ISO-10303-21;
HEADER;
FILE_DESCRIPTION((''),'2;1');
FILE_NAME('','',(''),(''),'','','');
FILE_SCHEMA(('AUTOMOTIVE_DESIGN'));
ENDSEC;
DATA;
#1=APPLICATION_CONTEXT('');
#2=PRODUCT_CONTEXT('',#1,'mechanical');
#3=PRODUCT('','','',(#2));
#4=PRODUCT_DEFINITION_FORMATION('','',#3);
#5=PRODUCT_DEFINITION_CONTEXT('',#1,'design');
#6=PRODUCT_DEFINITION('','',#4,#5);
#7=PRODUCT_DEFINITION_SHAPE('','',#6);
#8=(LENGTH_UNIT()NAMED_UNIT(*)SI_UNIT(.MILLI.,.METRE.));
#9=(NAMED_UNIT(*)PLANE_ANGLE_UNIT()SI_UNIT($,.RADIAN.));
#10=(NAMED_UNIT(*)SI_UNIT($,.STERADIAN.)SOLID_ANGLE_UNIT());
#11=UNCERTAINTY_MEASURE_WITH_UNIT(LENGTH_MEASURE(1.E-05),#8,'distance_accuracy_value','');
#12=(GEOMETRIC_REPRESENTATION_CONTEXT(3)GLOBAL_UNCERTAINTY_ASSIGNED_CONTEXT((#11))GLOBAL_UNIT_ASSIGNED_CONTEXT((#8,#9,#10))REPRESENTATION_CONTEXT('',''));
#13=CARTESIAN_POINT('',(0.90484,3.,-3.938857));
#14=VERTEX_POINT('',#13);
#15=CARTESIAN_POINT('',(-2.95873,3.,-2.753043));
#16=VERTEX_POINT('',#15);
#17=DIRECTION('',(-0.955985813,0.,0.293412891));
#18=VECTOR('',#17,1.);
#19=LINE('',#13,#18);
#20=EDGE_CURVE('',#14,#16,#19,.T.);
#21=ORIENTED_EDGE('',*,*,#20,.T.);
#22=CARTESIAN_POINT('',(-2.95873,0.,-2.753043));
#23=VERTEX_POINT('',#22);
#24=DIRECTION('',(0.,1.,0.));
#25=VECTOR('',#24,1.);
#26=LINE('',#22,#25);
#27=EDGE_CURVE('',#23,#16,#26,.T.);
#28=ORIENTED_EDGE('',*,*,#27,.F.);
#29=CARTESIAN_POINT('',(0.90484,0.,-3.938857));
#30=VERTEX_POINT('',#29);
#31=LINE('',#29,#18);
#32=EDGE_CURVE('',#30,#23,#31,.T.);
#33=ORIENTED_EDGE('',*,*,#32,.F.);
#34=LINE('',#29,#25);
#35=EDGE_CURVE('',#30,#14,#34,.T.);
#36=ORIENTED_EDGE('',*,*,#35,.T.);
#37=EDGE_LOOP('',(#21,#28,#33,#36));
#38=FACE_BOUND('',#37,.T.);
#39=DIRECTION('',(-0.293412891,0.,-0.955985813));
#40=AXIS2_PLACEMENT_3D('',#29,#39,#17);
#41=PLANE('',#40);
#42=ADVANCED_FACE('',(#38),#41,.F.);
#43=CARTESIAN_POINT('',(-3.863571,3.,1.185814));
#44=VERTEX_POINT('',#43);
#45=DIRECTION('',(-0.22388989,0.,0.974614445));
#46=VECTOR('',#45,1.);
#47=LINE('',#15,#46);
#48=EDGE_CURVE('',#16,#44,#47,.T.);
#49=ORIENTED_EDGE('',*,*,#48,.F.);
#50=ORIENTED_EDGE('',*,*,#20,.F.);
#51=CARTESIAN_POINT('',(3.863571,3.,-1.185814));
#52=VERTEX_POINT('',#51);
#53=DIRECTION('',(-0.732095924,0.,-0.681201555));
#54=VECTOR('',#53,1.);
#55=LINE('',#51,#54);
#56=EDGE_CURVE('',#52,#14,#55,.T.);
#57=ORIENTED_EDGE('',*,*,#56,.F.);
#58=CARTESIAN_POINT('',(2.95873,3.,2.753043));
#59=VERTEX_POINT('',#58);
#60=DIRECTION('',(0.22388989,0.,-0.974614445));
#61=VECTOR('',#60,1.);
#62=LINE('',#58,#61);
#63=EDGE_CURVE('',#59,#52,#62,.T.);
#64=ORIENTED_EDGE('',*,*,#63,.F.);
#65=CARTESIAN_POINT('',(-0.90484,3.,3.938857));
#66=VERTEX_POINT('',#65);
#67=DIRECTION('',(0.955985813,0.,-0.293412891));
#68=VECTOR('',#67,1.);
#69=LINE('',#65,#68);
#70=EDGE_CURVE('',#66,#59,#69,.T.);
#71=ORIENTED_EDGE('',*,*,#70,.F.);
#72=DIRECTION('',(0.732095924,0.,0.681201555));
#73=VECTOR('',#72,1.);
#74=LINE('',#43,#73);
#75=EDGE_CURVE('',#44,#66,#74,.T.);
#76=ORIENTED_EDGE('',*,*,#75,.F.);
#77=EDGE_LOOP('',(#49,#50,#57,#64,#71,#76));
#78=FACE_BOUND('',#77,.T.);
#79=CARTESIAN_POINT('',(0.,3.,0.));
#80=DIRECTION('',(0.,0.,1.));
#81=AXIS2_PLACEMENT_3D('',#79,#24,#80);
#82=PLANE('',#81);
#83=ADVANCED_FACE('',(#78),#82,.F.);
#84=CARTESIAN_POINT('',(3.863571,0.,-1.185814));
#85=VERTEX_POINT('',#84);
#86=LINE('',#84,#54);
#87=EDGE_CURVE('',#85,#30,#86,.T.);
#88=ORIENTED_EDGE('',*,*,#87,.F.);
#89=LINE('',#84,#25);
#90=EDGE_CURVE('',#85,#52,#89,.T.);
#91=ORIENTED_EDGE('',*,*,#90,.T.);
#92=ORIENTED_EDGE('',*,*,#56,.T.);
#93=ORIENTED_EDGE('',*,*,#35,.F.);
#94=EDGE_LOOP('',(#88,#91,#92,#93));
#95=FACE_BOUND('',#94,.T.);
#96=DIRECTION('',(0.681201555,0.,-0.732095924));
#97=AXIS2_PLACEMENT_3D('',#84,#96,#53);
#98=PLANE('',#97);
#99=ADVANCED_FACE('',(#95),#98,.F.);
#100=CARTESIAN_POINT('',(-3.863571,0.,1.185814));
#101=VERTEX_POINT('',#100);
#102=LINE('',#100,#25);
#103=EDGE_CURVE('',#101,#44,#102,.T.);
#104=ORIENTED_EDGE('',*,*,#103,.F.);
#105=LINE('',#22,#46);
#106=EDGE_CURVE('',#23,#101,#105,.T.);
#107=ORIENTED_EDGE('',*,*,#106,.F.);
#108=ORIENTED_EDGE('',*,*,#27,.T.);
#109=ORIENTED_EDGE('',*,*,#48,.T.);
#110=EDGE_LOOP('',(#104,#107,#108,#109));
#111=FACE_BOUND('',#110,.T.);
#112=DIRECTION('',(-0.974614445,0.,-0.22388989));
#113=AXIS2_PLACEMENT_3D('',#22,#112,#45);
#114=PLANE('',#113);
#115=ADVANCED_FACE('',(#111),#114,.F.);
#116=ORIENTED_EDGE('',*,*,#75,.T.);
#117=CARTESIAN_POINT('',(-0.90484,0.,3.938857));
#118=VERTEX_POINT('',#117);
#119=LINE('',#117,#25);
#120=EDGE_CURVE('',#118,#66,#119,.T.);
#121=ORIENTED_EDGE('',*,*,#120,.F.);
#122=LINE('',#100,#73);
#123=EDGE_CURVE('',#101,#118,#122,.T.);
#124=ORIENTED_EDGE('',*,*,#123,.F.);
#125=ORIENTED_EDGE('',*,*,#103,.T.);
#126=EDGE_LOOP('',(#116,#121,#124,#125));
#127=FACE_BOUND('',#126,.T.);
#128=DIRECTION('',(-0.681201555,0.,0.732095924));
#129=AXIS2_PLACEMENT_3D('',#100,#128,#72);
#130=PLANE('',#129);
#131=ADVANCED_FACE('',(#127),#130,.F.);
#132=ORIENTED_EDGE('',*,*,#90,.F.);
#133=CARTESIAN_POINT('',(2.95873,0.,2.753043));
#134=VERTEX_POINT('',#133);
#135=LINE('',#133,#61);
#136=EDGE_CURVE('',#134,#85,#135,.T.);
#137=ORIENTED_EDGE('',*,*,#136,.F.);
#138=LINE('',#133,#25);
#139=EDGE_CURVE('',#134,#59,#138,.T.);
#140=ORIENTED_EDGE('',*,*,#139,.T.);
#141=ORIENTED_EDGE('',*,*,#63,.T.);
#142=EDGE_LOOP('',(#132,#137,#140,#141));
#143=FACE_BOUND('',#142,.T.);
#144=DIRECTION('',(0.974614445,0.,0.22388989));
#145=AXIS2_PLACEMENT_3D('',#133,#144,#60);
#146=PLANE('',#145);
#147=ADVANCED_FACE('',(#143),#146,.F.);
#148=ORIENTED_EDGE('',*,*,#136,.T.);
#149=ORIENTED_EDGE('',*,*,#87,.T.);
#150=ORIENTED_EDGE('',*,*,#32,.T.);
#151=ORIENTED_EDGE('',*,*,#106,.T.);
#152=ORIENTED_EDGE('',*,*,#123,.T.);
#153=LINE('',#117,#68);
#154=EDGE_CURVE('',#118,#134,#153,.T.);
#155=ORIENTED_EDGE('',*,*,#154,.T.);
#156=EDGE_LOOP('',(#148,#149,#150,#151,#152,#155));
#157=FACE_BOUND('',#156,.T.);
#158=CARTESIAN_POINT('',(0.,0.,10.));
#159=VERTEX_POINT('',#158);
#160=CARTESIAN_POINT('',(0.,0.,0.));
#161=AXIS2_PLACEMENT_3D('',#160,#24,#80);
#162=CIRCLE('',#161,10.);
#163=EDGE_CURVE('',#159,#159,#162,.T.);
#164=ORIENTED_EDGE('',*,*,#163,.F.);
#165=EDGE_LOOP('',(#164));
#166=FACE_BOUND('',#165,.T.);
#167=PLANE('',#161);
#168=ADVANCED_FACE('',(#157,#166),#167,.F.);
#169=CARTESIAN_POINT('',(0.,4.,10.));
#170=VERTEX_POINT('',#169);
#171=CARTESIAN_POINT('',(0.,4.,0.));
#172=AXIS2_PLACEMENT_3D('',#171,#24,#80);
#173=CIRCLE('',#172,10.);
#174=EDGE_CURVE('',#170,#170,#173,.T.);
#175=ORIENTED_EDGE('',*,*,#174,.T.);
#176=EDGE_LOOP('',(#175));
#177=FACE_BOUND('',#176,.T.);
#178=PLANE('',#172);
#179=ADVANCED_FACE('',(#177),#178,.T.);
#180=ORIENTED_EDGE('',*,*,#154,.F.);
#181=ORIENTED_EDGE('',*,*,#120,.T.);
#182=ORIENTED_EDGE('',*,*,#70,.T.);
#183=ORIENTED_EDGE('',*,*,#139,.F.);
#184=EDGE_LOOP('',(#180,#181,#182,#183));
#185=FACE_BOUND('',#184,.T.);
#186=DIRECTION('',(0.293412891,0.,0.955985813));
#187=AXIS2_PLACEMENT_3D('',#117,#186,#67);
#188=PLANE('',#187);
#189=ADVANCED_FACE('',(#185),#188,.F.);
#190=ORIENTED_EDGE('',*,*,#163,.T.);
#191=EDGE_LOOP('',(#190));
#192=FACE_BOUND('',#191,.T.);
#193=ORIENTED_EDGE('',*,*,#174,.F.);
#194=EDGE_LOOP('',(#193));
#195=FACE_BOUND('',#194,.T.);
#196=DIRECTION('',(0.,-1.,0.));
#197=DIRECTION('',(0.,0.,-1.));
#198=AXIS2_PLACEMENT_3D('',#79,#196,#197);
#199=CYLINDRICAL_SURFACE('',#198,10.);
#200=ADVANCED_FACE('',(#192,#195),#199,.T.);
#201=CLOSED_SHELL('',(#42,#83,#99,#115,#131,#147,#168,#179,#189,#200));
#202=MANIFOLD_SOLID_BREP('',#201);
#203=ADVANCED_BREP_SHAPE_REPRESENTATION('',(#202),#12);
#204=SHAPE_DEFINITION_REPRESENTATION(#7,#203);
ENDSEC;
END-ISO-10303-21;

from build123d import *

# Parameters (mm, degrees)
SKETCH1_R           = 10
BOSS_EXTRUDE1_DEPTH = 3
CUT_EXTRUDE2_DEPTH  = 15.456832295
SKETCH3_R           = 10
BOSS_EXTRUDE2_DEPTH = 1


with BuildPart() as part:
    # Sketch1 → Boss-Extrude1 (new body)
    with BuildSketch(Plane(origin=(0, 0, 0), x_dir=(1, 0, 0), z_dir=(0, 1, 0))):
        with Locations(Location((0, 0, 0), (0, 0, 270))):
            Circle(SKETCH1_R)
    extrude(amount=BOSS_EXTRUDE1_DEPTH)

    # Sketch2 → Cut-Extrude2 (cut, through all)
    with BuildSketch(Plane(origin=(0, 3, 0), x_dir=(1, 0, 0), z_dir=(0, 1, 0))):
        Polygon((2.958730451, -2.753043307), (3.863570667, 1.18581408), (0.904840216, 3.938857387), (-2.958730451, 2.753043307), (-3.863570667, -1.18581408), (-0.904840216, -3.938857387), align=None)
    extrude(amount=-CUT_EXTRUDE2_DEPTH, mode=Mode.SUBTRACT)

    # Sketch3 → Boss-Extrude2 (add)
    with BuildSketch(Plane(origin=(0, 3, 0), x_dir=(1, 0, 0), z_dir=(0, 1, 0))):
        with Locations(Location((0, 0, 0), (0, 0, 270))):
            Circle(SKETCH3_R)
    extrude(amount=BOSS_EXTRUDE2_DEPTH)


solid = part.part
